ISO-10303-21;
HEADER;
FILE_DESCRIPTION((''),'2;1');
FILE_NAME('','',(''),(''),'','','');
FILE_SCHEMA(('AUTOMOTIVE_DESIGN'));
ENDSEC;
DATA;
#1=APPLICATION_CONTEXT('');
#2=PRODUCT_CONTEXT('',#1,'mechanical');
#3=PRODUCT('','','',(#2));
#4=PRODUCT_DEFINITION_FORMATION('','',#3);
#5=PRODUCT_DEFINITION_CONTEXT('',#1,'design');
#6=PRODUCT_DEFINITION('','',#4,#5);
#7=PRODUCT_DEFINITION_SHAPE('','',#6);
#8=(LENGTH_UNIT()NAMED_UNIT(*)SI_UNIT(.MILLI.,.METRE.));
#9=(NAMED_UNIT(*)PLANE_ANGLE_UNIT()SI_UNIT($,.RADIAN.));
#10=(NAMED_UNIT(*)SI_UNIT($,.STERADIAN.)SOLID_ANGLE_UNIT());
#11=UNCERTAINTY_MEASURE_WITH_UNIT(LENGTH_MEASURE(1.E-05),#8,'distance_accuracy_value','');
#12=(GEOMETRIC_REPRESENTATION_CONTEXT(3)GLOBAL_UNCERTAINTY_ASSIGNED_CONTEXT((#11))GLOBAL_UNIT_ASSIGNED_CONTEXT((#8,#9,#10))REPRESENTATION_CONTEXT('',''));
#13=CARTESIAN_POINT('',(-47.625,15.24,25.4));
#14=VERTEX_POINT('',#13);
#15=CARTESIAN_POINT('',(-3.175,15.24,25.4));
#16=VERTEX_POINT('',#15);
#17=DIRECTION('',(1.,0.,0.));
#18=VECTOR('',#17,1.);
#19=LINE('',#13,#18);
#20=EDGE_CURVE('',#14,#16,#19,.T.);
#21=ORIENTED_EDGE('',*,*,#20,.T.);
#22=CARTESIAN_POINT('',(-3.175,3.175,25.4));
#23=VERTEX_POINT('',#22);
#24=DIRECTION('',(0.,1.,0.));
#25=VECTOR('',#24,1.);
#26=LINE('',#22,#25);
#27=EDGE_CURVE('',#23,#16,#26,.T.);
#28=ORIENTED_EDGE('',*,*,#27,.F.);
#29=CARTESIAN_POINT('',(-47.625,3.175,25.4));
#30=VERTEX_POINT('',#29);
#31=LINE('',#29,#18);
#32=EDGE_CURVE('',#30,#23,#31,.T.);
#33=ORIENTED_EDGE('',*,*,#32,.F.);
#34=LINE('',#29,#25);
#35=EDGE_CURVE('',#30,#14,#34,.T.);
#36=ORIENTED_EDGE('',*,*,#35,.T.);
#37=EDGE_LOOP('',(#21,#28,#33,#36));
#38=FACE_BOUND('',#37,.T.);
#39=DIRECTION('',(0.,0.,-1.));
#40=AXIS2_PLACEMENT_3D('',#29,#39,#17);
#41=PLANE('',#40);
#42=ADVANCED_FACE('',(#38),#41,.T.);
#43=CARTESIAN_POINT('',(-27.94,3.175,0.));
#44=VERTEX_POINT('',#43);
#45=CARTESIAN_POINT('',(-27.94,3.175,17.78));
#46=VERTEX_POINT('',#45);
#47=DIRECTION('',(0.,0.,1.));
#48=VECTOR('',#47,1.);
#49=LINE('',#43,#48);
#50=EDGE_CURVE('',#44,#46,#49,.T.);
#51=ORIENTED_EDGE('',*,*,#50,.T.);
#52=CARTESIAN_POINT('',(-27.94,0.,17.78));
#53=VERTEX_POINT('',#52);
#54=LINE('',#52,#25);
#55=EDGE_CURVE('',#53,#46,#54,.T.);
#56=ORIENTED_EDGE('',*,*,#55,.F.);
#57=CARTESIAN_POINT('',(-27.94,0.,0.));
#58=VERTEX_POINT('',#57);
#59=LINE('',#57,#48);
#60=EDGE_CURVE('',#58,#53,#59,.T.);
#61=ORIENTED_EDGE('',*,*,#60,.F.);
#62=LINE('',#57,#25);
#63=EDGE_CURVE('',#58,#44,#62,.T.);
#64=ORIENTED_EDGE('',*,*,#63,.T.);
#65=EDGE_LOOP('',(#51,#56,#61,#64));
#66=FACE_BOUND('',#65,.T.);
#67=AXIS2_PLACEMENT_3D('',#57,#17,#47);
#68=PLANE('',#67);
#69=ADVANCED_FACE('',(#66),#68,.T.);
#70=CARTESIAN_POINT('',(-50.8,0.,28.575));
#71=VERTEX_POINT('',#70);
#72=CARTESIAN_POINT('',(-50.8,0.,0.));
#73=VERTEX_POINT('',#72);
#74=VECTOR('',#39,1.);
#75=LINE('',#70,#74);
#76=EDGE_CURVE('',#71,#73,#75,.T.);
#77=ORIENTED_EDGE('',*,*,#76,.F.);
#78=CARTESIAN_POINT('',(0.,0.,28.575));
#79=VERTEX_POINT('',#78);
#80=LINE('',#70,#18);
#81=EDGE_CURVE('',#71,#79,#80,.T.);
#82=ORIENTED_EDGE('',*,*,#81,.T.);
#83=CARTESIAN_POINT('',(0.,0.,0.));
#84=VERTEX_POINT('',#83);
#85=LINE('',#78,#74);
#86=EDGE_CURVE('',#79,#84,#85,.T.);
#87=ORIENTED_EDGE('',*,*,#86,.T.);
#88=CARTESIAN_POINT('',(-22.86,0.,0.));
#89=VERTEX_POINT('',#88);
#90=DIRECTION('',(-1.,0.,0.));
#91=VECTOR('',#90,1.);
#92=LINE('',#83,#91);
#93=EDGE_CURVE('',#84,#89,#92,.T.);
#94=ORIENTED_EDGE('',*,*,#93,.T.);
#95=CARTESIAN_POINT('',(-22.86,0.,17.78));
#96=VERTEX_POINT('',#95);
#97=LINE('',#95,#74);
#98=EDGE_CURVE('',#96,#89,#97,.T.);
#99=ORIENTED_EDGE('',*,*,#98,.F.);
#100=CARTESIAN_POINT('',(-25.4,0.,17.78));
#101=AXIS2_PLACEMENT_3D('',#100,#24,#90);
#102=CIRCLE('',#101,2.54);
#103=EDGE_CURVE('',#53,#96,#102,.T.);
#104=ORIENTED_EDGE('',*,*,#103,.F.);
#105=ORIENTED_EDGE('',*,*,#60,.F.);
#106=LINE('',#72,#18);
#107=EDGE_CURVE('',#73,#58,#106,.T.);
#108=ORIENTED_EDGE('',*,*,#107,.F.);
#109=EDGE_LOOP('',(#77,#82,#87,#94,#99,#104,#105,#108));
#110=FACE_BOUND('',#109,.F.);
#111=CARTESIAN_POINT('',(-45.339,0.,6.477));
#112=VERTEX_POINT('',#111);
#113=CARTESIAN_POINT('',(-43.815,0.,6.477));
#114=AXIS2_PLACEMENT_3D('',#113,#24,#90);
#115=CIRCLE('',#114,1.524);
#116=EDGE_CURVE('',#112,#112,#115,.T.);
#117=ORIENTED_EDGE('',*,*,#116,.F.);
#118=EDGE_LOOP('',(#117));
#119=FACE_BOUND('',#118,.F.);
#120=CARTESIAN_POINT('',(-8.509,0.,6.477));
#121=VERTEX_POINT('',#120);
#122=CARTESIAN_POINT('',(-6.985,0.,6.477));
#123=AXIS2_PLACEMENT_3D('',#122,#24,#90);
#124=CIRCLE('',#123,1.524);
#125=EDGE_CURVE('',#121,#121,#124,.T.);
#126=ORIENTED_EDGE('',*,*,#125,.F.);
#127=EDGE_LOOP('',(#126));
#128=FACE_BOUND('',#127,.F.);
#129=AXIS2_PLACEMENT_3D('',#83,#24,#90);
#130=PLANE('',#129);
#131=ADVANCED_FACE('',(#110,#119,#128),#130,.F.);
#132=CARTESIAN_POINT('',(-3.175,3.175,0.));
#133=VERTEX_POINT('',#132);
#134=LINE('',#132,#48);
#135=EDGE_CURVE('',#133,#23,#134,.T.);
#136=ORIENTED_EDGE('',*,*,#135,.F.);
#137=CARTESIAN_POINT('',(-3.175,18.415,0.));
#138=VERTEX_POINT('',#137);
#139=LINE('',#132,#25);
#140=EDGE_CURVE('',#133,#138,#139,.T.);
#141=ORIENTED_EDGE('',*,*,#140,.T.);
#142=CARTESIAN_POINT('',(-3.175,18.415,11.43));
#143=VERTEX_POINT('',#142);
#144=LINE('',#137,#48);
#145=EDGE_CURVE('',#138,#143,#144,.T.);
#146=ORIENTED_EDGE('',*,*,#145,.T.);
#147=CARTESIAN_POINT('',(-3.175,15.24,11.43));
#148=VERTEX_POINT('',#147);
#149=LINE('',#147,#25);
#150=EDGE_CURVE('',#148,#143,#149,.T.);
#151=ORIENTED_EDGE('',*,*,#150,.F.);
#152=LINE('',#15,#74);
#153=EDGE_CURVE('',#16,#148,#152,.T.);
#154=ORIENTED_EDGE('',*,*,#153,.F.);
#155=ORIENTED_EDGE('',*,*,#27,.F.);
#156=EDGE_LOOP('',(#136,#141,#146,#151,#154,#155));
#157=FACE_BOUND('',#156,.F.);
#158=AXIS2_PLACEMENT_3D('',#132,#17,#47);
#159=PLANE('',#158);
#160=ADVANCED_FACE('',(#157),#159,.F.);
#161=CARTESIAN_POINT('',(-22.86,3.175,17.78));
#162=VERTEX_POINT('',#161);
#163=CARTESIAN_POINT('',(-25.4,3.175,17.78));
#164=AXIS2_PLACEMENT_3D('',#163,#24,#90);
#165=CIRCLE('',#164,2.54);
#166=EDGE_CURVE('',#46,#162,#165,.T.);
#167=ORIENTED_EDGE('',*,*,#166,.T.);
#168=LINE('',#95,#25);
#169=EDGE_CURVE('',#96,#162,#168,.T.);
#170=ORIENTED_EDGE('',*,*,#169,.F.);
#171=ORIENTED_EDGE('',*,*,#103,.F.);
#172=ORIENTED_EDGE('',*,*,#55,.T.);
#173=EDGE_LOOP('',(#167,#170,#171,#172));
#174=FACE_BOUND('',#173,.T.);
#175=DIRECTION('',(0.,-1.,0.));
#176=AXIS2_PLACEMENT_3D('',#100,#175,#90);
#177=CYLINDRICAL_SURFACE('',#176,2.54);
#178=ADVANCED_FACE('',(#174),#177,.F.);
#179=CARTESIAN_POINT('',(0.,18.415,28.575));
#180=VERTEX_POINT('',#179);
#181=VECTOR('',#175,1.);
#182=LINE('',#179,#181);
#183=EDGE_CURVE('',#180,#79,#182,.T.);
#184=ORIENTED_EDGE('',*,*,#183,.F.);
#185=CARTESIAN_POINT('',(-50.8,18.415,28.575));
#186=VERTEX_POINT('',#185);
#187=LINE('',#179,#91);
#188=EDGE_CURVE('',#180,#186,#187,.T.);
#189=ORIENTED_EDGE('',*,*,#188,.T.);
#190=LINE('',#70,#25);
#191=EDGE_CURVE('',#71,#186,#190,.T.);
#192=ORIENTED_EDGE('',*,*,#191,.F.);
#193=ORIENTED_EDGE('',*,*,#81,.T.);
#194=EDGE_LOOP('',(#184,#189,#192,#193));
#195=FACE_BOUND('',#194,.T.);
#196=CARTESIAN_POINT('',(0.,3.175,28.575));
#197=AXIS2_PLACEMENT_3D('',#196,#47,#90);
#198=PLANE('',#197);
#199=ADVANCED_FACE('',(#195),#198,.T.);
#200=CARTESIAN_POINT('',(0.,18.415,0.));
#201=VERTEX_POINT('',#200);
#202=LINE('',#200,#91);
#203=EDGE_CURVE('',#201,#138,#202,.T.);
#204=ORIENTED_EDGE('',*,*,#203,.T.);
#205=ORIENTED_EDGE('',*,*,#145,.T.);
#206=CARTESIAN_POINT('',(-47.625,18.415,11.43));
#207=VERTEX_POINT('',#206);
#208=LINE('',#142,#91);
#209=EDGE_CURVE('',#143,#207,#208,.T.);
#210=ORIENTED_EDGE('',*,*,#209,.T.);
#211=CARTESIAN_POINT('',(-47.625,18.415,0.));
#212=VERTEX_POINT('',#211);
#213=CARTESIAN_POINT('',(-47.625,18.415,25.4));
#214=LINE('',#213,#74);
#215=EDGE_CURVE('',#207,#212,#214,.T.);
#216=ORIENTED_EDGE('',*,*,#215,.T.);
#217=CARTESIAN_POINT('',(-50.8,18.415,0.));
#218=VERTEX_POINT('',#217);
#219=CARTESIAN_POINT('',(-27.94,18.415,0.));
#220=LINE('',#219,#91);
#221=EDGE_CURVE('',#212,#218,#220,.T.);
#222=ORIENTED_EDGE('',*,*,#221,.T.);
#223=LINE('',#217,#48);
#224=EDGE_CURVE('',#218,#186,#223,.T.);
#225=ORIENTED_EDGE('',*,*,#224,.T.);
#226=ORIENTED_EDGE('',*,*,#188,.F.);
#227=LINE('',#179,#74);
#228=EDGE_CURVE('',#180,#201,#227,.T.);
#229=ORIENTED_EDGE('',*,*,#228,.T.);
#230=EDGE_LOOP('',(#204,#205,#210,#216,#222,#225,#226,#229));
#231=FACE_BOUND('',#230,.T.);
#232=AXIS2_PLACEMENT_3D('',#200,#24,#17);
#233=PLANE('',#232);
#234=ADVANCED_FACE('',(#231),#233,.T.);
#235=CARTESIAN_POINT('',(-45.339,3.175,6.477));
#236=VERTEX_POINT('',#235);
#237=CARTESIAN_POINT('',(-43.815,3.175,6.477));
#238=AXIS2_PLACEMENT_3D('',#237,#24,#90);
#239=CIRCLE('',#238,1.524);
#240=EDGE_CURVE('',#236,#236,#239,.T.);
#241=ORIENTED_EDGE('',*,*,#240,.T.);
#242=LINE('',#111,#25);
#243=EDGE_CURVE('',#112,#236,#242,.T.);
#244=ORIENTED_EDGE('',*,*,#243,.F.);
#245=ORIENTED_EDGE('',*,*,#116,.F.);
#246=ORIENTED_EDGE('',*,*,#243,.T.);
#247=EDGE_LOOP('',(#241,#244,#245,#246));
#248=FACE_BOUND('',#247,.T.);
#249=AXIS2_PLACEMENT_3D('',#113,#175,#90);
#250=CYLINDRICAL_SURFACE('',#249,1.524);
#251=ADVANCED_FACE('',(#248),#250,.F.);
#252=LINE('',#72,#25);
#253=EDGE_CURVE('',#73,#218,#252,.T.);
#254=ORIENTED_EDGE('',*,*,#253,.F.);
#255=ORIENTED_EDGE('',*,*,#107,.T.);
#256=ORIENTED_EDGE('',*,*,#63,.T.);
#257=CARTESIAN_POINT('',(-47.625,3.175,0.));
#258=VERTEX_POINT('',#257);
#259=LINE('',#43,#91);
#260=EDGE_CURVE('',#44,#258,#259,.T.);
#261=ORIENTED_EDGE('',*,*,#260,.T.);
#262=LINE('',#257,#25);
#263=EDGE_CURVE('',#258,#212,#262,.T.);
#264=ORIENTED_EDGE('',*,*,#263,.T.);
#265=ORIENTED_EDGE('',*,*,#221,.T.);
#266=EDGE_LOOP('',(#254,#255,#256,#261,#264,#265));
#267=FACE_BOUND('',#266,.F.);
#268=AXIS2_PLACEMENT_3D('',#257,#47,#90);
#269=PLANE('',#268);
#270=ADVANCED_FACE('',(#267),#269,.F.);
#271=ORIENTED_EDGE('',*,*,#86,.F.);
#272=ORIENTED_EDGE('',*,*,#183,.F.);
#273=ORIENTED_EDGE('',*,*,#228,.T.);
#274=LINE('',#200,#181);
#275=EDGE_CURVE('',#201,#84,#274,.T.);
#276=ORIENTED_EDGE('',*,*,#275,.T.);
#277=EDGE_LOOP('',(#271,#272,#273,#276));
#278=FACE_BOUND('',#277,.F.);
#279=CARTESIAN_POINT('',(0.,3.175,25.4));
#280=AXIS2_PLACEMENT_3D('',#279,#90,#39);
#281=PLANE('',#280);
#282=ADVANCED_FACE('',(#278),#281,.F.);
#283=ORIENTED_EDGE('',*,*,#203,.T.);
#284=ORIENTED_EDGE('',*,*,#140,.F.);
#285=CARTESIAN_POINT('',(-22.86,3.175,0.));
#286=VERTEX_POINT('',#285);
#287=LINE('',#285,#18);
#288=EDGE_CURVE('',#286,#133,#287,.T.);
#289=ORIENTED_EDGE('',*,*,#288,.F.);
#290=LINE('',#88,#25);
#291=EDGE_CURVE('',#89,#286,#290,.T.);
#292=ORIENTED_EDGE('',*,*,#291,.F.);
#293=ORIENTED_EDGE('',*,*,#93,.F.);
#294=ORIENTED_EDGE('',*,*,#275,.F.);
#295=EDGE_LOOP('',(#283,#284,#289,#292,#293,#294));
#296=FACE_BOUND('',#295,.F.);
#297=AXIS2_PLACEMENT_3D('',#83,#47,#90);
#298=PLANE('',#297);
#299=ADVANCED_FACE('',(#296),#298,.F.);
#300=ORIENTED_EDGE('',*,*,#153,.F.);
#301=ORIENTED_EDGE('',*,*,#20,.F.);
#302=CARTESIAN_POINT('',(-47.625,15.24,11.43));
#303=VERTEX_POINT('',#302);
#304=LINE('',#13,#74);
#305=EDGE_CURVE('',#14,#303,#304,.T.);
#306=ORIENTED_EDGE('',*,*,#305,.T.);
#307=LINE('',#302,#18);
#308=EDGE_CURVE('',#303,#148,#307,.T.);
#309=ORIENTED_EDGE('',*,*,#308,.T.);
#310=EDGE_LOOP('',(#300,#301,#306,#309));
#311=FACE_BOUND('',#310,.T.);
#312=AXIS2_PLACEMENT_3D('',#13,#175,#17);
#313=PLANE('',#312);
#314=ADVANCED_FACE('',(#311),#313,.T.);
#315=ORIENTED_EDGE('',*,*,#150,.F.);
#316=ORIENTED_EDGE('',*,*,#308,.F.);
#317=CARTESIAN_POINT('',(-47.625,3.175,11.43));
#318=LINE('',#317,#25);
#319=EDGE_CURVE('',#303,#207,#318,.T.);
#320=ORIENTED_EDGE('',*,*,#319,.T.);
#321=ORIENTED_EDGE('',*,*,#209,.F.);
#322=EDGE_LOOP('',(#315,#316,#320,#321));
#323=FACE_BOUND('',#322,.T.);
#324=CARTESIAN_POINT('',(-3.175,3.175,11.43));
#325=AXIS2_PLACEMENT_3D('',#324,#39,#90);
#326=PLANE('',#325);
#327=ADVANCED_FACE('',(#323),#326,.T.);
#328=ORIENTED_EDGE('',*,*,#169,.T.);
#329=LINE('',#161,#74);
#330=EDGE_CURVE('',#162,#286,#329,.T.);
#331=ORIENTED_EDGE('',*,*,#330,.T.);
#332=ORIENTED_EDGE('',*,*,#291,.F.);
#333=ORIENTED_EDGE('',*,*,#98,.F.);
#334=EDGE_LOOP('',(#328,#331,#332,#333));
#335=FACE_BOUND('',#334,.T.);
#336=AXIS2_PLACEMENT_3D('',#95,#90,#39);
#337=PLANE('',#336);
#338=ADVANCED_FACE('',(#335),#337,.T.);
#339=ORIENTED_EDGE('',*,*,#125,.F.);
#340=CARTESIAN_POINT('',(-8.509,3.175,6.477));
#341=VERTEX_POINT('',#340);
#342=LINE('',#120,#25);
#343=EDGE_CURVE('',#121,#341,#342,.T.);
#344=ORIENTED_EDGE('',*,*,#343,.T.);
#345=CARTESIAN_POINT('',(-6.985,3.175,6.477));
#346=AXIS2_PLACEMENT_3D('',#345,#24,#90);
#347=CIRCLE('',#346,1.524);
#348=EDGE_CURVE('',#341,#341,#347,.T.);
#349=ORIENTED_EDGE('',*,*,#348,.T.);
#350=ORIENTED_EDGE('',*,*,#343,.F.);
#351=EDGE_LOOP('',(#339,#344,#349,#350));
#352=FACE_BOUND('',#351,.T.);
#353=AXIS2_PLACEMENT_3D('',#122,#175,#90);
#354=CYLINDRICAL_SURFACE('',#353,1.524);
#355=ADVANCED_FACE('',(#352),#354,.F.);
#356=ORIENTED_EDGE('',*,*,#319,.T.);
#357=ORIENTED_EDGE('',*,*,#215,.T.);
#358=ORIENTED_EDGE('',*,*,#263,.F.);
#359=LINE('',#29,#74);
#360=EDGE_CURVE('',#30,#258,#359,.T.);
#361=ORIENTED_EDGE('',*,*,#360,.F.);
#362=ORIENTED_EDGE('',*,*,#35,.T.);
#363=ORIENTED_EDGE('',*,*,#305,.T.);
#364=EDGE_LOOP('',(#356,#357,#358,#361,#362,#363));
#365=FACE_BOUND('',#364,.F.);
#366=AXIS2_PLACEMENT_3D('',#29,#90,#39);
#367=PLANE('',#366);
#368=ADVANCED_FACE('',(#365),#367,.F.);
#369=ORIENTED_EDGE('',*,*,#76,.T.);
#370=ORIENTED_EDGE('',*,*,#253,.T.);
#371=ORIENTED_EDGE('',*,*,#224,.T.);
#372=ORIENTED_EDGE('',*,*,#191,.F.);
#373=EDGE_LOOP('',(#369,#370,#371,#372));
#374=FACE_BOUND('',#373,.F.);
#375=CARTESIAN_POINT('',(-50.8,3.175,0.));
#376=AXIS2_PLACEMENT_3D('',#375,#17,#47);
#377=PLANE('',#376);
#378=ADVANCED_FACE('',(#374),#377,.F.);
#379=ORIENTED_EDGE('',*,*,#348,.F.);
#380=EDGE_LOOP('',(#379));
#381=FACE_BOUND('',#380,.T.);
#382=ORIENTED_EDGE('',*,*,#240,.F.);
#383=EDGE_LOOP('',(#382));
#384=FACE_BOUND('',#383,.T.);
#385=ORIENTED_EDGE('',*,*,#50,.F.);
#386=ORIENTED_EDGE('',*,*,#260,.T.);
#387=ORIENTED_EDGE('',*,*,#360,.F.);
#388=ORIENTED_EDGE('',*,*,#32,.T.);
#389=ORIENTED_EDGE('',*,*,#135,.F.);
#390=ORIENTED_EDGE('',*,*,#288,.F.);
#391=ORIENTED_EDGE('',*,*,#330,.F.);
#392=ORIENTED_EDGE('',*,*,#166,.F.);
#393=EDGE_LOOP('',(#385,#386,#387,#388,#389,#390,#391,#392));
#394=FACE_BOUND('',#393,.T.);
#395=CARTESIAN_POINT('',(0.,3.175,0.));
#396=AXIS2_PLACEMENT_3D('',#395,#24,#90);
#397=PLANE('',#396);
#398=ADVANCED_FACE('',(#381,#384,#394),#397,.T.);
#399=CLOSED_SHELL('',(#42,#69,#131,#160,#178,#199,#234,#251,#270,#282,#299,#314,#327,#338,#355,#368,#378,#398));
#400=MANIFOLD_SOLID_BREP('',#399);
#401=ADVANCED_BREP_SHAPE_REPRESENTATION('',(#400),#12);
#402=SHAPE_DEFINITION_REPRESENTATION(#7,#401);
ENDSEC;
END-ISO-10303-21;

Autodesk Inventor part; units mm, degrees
ref_plane "YZ Plane" through (0, 0, 0) normal (1, 0, 0) x (0, 1, 0)
ref_plane "XZ Plane" through (0, 0, 0) normal (0, 1, 0) x (-1, 0, 0)
ref_plane "XY Plane" through (0, 0, 0) normal (0, 0, 1) x (1, 0, 0)
sketch "Sketch1" plane through (0, 0, 0) normal (0, 1, 0) x (-1, 0, 0)
  line L0 (0, 0) -> (50.8, 0)
  line L1 (50.8, 0) -> (50.8, 28.575)
  line L2 (50.8, 28.575) -> (0, 28.575)
  line L3 (0, 28.575) -> (0, 0)
  line L4 (0, 28.575) -> (50.8, 28.575)
  line L5 (50.8, 28.575) -> (50.8, 25.4)
  line L6 (47.625, 25.4) -> (3.175, 25.4)
  line L7 (0, 25.4) -> (0, 28.575)
  line L8 (47.625, 25.4) -> (47.625, 0)
  line L9 (47.625, 0) -> (50.8, 0)
  line L10 (50.8, 0) -> (50.8, 25.4)
  line L11 (0, 0) -> (3.175, 0)
  line L12 (3.175, 0) -> (3.175, 25.4)
  line L13 (0, 25.4) -> (0, 0)
  line L14 (25.4, 0) -> (27.94, 0)
  line L15 (25.4, 0) -> (22.86, 0)
  line L16 (22.86, 0) -> (27.94, 0)
  line L17 (27.94, 0) -> (27.94, 17.78)
  line L18 (22.86, 17.78) -> (22.86, 0)
  arc A0 (27.94, 17.78) -> (22.86, 17.78) centre (25.4, 17.78) ccw
  line L19 (3.175, 0) -> (6.985, 0)
  circle A1 centre (6.985, 6.477) radius 1.524
  line L20 (47.625, 0) -> (43.815, 0)
  circle A2 centre (43.815, 6.477) radius 1.524
  dimension "d0" = 50.8
  dimension "d1" = 28.575
  dimension "d2" = 3.175
  dimension "d3" = 3.175
  dimension "d4" = 3.175
  dimension "d5" = 2.54
  dimension "d6" = 2.54
  dimension "d11" = 3.048
  dimension "d12" = 3.81
extrude "Extrusion1" add sketch "Sketch1" along normal blind 3.175 contours L3 L2 L1 L0 L8 L6 L12 | L12 L6 L8 L0 L17 A0 L18
sketch "Sketch2" plane through (0, 3.175, 0) normal (0, 1, 0) x (1, 0, 0)
  line L0 (-27.94, 0) -> (-50.8, 0) projected
  line L1 (-50.8, 0) -> (-50.8, -28.575) projected
  line L2 (0, -28.575) -> (0, 0) projected
  line L3 (0, -28.575) -> (-50.8, -28.575)
  line L4 (-50.8, -28.575) -> (-50.8, -25.4)
  line L5 (-47.625, -25.4) -> (-3.175, -25.4)
  line L6 (0, -25.4) -> (0, -28.575)
  line L7 (-47.625, -25.4) -> (-47.625, 0)
  line L8 (-47.625, 0) -> (-50.8, 0)
  line L9 (-50.8, 0) -> (-50.8, -25.4)
  line L10 (0, 0) -> (-3.175, 0)
  line L11 (-3.175, 0) -> (-3.175, -25.4)
  line L12 (0, -25.4) -> (0, 0)
  dimension "d15" = 3.175
  dimension "d16" = 3.175
  dimension "d17" = 3.175
extrude "Extrusion2" add sketch "Sketch2" along normal blind 15.24
sketch "Sketch3" plane through (-3.175, 3.175, 25.4) normal (0, 0, -1) x (-1, 0, 0)
  line L0 (44.45, 0) -> (44.45, 15.24) projected
  line L1 (0, 15.24) -> (44.45, 15.24)
  line L2 (44.45, 15.24) -> (44.45, 12.065)
  line L3 (44.45, 12.065) -> (0, 12.065)
  line L4 (0, 12.065) -> (0, 15.24)
  point P0 (-3.175, -3.175)
  dimension "d20" = 3.175
extrude "Extrusion3" add sketch "Sketch3" along normal blind 13.97
properties part number "IR Cover"
